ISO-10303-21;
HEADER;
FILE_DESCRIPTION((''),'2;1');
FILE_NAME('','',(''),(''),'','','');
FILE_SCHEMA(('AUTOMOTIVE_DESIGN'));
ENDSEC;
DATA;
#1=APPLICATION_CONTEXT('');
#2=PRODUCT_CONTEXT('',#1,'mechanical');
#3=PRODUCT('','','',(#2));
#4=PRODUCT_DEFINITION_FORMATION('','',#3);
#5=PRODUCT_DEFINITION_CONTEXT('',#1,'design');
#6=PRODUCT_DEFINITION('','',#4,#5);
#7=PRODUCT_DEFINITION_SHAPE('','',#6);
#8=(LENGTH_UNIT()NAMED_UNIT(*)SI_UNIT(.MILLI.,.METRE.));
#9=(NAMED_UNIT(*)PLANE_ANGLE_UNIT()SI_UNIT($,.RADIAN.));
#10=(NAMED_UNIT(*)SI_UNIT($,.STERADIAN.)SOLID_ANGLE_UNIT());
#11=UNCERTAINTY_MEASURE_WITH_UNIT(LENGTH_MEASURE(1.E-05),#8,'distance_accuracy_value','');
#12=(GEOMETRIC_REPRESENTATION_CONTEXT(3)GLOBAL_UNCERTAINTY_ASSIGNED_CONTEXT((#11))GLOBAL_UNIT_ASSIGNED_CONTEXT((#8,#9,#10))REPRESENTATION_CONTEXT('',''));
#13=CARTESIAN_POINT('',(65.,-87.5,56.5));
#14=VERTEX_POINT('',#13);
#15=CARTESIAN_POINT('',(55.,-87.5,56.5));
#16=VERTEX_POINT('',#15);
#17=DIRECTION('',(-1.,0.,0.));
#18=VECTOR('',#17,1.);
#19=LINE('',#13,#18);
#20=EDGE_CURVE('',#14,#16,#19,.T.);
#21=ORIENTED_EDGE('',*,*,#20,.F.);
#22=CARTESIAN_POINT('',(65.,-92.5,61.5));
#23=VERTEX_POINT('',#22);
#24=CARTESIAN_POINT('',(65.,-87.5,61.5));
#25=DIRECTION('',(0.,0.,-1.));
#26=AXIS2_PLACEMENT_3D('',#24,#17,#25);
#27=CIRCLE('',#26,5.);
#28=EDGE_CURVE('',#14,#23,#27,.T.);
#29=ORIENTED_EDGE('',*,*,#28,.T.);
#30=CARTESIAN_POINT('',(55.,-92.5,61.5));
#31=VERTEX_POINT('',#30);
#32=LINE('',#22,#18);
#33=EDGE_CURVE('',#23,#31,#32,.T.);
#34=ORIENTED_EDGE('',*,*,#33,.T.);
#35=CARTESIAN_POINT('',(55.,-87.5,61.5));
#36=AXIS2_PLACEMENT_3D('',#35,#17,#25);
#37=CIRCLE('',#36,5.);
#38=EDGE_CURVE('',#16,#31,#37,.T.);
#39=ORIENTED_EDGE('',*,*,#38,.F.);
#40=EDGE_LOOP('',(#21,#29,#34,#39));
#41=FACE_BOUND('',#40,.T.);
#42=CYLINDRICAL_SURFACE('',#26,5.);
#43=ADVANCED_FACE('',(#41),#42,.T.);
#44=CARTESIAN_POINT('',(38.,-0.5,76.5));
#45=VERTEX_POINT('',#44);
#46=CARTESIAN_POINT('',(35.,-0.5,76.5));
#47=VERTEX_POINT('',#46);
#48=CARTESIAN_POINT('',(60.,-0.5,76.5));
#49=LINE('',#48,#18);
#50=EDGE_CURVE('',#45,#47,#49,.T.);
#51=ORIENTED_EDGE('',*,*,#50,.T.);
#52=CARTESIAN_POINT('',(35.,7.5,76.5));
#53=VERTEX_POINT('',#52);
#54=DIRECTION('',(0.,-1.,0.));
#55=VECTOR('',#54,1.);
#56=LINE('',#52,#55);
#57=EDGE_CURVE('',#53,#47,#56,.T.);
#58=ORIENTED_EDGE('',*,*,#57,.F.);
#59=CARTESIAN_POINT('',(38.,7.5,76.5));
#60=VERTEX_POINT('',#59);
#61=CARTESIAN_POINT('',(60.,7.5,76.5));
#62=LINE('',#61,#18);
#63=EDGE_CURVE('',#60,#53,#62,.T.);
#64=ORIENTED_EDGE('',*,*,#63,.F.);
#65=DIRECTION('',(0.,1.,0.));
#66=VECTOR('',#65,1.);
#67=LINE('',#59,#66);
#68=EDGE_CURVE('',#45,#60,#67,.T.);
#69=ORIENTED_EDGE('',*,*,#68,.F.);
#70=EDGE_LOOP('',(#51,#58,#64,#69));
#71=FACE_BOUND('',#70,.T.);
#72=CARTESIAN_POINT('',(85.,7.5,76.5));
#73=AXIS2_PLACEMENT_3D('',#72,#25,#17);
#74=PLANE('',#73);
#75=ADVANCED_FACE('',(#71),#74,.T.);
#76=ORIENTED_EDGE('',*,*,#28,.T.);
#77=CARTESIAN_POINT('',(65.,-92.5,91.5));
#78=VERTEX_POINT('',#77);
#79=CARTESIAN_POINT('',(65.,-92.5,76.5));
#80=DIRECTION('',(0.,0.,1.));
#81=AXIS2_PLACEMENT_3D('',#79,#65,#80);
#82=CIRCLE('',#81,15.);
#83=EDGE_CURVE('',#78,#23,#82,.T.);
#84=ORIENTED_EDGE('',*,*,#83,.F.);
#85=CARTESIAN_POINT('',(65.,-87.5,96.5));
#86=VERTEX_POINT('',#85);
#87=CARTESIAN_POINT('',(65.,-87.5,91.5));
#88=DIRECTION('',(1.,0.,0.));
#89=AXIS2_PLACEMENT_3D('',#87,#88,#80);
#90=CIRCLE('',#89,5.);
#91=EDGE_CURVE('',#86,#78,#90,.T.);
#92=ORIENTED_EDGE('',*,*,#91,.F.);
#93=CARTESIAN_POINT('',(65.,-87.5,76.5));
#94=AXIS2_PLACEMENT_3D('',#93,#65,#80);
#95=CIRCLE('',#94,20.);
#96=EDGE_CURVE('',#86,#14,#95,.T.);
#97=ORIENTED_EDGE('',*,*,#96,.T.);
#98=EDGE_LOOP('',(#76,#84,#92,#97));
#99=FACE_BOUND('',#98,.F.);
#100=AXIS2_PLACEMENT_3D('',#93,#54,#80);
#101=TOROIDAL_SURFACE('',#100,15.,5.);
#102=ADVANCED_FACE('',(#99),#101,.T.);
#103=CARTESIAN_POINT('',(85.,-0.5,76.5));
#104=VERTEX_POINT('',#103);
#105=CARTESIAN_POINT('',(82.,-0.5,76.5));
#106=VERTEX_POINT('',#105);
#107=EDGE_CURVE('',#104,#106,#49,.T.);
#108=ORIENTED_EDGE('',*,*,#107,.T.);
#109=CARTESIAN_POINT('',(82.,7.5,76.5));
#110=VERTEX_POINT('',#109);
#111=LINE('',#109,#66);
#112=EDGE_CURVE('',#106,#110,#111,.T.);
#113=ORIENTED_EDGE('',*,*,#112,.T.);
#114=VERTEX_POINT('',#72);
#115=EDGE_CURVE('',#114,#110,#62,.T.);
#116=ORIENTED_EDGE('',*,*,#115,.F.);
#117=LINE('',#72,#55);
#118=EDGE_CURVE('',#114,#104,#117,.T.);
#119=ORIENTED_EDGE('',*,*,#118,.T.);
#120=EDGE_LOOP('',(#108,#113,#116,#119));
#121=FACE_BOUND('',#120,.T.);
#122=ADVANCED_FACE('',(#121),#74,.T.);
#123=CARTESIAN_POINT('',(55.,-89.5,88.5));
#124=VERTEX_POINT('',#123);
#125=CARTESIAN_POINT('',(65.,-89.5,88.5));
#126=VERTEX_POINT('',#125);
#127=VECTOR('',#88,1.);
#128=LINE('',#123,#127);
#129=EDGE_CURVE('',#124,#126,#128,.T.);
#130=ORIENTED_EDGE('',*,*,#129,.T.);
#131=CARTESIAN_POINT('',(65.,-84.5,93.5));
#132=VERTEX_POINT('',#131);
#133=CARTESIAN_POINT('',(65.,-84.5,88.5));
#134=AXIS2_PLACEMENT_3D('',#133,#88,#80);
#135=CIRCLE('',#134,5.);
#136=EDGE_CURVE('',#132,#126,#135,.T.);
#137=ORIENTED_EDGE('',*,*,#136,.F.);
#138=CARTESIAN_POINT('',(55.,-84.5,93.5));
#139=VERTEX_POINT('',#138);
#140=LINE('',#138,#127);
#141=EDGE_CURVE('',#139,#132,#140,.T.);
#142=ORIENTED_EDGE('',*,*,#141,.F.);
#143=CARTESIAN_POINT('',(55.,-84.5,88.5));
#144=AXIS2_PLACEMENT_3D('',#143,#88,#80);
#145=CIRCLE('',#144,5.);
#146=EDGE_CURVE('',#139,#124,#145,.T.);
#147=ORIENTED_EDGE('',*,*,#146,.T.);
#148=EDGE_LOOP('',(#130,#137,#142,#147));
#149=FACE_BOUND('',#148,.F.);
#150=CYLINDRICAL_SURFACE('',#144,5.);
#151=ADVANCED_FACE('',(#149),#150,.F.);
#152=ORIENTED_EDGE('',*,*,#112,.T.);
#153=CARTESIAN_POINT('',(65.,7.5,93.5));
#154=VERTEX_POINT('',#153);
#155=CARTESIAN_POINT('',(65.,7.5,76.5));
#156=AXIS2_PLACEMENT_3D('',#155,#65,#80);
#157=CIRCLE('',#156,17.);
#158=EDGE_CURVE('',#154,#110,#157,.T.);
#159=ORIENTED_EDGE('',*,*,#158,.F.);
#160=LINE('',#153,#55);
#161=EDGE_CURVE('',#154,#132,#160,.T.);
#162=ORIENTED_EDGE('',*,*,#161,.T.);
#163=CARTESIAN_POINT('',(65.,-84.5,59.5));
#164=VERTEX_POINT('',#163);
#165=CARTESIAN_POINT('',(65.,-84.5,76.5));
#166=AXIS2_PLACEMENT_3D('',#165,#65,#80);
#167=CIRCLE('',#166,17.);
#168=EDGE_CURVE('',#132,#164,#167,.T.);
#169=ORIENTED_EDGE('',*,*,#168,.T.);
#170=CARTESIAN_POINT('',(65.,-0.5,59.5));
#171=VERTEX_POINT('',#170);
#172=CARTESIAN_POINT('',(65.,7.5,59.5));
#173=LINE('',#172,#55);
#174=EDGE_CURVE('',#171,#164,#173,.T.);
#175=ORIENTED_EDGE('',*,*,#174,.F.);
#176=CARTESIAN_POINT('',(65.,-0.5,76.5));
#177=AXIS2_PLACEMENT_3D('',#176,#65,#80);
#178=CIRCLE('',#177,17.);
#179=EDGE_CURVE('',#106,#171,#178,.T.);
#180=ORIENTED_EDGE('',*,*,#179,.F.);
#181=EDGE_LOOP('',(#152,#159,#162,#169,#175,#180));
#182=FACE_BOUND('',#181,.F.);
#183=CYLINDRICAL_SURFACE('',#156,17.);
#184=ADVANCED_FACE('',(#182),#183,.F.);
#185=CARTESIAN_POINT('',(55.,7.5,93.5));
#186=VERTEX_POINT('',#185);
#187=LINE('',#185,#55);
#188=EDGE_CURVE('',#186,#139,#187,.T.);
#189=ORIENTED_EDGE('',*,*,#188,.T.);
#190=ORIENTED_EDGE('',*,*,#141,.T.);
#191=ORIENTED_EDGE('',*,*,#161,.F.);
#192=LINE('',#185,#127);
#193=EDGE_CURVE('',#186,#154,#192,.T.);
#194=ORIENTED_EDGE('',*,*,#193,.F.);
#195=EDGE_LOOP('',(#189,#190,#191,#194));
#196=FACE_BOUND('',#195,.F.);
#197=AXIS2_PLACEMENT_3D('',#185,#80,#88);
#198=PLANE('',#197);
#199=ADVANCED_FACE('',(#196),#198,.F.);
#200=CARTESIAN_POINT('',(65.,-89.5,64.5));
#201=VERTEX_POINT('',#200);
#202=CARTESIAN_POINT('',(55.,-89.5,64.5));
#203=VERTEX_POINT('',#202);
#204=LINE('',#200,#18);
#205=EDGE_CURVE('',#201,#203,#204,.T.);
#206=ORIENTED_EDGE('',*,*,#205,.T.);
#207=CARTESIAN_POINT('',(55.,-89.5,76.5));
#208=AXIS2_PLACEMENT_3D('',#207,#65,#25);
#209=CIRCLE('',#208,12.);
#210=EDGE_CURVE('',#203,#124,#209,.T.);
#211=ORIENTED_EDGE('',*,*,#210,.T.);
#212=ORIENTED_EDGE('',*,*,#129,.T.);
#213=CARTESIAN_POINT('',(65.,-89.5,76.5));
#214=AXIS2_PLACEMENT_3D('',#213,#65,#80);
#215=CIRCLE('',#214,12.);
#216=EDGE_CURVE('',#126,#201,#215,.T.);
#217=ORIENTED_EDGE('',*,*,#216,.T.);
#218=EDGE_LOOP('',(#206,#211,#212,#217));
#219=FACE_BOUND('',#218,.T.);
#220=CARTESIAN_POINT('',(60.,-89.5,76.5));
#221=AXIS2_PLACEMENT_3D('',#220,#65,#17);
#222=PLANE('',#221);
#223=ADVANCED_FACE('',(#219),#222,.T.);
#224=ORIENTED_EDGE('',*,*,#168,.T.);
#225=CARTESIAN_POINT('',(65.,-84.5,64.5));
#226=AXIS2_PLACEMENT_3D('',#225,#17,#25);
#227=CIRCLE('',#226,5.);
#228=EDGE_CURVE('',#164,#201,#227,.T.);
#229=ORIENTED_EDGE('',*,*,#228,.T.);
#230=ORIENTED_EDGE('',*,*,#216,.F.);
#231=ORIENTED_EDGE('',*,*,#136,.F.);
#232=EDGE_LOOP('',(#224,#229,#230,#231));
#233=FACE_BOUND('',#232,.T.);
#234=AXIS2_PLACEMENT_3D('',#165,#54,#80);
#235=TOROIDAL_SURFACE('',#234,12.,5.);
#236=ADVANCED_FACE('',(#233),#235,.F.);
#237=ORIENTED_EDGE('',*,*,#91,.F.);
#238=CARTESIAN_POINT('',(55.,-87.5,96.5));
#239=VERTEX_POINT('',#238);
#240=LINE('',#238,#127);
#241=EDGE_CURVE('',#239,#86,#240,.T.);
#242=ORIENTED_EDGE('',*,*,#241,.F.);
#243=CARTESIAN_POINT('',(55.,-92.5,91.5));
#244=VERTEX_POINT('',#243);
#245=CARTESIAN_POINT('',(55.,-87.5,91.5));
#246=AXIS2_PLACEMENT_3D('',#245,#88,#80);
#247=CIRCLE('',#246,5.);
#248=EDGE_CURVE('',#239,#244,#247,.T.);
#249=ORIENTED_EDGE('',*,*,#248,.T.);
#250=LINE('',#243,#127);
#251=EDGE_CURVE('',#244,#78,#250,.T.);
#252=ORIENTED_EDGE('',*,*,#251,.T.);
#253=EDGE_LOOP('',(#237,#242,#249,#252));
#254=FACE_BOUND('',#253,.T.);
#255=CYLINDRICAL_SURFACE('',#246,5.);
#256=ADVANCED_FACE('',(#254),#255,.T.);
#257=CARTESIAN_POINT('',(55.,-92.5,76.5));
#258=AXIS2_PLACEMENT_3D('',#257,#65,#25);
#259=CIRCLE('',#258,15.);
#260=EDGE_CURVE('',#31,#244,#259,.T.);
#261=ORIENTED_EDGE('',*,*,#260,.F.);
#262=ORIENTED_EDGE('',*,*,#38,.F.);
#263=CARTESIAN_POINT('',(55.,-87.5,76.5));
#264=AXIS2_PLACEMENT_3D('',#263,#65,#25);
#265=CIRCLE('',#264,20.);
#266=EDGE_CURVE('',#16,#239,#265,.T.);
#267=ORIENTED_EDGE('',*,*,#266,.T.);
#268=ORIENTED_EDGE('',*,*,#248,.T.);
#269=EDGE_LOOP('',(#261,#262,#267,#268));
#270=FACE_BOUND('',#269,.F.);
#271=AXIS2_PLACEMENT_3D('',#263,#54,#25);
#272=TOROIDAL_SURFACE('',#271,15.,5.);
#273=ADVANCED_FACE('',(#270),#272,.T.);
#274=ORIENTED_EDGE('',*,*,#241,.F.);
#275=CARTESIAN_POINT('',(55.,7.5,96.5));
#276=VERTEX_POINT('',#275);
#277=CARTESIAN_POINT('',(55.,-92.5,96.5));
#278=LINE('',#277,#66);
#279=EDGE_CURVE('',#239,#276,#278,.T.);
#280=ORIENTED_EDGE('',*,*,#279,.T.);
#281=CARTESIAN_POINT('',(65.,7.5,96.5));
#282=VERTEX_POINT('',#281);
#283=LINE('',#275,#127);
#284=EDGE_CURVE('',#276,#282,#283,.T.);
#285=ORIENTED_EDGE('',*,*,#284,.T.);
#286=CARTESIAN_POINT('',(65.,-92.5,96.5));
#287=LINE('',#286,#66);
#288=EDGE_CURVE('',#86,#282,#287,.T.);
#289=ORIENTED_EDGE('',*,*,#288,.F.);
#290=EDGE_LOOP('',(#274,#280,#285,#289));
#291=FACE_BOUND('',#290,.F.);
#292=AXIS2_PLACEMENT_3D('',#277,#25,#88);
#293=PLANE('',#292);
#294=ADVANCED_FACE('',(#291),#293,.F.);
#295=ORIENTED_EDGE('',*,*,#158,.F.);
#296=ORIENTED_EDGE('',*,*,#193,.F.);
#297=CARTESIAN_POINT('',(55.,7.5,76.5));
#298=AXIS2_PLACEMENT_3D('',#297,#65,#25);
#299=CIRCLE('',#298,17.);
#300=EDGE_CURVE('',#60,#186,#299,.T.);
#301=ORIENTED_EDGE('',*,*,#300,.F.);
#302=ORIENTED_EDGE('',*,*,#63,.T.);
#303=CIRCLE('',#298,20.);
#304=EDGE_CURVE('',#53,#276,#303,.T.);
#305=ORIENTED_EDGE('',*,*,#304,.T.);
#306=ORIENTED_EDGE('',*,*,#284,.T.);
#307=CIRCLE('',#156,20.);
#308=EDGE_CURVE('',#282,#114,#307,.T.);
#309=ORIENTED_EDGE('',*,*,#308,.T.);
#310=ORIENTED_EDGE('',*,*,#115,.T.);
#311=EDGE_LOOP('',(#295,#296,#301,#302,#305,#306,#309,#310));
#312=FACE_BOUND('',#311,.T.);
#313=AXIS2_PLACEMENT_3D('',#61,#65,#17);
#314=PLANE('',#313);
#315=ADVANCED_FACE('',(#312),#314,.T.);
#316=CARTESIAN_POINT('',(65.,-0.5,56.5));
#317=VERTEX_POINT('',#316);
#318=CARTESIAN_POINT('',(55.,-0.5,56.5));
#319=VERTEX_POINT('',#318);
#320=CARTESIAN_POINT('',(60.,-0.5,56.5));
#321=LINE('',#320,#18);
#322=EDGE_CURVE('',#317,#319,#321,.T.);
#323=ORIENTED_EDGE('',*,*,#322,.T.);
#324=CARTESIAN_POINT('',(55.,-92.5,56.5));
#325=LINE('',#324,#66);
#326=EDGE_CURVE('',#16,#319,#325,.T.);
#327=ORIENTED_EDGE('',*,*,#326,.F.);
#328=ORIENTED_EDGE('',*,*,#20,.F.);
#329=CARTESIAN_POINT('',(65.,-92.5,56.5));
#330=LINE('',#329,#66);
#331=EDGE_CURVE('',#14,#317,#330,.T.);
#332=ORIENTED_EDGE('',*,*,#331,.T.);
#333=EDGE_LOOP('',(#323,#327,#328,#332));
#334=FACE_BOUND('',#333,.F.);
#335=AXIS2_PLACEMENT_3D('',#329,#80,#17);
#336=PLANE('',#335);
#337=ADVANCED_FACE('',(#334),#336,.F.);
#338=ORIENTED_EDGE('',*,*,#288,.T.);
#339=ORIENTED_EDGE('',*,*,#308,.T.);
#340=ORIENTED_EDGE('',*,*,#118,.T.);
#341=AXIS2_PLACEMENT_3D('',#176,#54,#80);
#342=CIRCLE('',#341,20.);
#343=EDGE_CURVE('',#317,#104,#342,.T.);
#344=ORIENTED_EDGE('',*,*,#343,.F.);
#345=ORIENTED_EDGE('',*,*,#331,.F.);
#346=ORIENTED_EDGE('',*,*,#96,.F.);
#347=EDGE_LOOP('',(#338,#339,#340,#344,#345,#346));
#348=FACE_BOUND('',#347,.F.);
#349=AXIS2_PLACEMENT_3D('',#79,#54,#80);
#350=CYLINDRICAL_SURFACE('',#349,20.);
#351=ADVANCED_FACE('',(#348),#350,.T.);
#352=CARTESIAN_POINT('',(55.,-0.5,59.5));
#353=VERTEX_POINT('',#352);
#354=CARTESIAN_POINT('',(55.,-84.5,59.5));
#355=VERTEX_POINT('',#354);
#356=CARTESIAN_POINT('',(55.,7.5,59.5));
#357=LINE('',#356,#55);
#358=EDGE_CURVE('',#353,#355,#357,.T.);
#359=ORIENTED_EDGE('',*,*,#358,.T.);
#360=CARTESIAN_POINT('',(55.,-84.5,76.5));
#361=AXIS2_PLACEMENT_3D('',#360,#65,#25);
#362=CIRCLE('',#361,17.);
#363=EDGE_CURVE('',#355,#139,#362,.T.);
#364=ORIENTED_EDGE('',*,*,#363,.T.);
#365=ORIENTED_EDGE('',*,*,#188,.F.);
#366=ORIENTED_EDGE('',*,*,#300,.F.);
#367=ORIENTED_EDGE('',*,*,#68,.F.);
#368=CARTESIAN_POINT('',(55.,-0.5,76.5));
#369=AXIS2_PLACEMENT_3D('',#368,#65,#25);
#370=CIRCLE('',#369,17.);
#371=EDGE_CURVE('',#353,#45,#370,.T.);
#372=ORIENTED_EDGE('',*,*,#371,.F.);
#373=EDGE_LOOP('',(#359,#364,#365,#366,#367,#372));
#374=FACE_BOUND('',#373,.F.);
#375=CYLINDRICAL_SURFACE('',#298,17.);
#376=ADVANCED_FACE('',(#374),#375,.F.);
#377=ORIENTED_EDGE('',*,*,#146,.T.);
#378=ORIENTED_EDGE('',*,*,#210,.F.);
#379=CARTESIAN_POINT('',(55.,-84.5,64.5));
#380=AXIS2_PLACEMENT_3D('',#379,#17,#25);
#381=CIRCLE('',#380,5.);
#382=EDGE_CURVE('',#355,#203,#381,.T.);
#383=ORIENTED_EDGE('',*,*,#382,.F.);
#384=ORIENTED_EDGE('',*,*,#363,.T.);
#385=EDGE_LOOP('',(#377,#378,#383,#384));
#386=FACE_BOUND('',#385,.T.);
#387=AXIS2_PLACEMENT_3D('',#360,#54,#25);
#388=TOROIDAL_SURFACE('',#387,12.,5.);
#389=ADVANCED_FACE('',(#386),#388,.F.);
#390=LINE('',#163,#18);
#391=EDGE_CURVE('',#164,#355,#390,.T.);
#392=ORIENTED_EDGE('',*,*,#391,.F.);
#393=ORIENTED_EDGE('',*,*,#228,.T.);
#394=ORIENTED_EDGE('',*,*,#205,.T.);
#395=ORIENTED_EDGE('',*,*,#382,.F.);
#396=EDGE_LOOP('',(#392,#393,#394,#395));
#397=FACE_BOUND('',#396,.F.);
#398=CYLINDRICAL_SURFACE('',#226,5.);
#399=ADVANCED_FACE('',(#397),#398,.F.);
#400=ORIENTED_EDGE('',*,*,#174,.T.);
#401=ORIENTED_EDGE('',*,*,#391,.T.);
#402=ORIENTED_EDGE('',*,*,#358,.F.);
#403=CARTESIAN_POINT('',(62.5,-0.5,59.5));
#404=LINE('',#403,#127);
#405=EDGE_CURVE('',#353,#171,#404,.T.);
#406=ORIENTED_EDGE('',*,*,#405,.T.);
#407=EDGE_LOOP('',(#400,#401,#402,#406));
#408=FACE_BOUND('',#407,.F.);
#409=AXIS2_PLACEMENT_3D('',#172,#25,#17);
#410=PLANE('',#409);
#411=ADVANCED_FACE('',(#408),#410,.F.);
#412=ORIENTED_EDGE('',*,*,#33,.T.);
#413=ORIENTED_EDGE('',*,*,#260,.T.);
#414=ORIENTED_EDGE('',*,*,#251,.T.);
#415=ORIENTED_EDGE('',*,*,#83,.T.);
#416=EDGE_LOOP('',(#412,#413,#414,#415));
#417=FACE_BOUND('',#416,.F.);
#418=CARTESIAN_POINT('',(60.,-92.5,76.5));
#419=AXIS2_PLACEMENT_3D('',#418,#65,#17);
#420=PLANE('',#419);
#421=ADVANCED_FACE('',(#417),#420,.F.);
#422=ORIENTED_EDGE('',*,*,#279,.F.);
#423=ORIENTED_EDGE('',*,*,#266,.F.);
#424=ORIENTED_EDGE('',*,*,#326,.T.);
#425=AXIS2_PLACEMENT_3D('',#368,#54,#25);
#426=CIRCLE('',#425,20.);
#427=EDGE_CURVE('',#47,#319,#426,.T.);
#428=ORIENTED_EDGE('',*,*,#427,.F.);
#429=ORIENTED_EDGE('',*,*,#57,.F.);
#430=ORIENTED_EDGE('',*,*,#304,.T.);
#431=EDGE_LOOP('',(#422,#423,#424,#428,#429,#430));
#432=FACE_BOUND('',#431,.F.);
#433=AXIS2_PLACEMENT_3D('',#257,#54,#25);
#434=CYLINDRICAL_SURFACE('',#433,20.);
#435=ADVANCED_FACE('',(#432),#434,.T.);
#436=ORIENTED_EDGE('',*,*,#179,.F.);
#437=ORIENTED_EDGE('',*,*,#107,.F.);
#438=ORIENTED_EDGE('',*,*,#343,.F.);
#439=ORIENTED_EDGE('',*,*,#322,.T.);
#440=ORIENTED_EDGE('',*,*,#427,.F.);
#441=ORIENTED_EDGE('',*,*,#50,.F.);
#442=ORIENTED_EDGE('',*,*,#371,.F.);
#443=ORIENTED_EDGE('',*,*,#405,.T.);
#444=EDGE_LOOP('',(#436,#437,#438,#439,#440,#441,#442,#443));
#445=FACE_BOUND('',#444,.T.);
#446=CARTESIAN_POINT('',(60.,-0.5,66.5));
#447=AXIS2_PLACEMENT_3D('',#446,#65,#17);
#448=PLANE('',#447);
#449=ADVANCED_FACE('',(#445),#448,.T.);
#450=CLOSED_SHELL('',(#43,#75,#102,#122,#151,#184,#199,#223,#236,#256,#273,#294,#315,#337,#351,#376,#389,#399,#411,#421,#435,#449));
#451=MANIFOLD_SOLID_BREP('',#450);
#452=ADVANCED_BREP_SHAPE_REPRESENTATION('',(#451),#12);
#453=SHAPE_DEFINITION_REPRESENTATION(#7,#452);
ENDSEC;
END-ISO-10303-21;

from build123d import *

# Parameters (mm, degrees)
PAD008_DEPTH            = 100
POCKET014_DEPTH         = 97
SKETCH025_W             = 50
SKETCH025_H             = 20
POCKET015_DEPTH         = 8
FILLET001_R             = 5
FILLET002_R             = 5
BODY007_PLACEMENT_ANGLE = 180


with BuildPart() as part:
    # Sketch023 → Pad008 (new body)
    with BuildSketch(Plane.XZ):
        with BuildLine():
            ThreePointArc((-5, 20), (-25, 0), (-5, -20))
            Line((-5, -20), (5, -20))
            ThreePointArc((5, -20), (25, 0), (5, 20))
            Line((5, 20), (-5, 20))
        make_face()
    extrude(amount=PAD008_DEPTH)

    # Sketch024 (on Face6 of Pad008) → Pocket014 (cut)
    with BuildSketch(Plane.XZ.offset(100)):
        with BuildLine():
            ThreePointArc((-5, 17), (-22, 0), (-5, -17))
            Line((-5, -17), (5, -17))
            ThreePointArc((5, -17), (22, 0), (5, 17))
            Line((5, 17), (-5, 17))
        make_face()
    extrude(amount=-POCKET014_DEPTH, mode=Mode.SUBTRACT)

    # Sketch025 (on Face5 of Pocket014) → Pocket015 (cut)
    with BuildSketch(Plane.XZ.offset(100)):
        with Locations((0, -10)):
            Rectangle(SKETCH025_W, SKETCH025_H)
    extrude(amount=-POCKET015_DEPTH, mode=Mode.SUBTRACT)

    # Fillet001
    fillet001_edges = [part.edges().sort_by_distance(p)[0] for p in [
        (-25, 0, 0),
        (0, 0, -20),
        (25, 0, 0),
        (0, 0, 20),
    ]]
    fillet(fillet001_edges, radius=FILLET001_R)

    # Fillet002
    fillet002_edges = [part.edges().sort_by_distance(p)[0] for p in [
        (-22, -3, 0),
        (0, -3, -17),
        (22, -3, 0),
        (0, -3, 17),
    ]]
    fillet(fillet002_edges, radius=FILLET002_R)


with BuildPart() as part_1:
    # Body007 placement: moved
    add(part.part.moved(Location((60, -92.5, 76.5))).rotate(Axis((60, -92.5, 76.5), (0, 0, 1)), BODY007_PLACEMENT_ANGLE))


solid = part_1.part
